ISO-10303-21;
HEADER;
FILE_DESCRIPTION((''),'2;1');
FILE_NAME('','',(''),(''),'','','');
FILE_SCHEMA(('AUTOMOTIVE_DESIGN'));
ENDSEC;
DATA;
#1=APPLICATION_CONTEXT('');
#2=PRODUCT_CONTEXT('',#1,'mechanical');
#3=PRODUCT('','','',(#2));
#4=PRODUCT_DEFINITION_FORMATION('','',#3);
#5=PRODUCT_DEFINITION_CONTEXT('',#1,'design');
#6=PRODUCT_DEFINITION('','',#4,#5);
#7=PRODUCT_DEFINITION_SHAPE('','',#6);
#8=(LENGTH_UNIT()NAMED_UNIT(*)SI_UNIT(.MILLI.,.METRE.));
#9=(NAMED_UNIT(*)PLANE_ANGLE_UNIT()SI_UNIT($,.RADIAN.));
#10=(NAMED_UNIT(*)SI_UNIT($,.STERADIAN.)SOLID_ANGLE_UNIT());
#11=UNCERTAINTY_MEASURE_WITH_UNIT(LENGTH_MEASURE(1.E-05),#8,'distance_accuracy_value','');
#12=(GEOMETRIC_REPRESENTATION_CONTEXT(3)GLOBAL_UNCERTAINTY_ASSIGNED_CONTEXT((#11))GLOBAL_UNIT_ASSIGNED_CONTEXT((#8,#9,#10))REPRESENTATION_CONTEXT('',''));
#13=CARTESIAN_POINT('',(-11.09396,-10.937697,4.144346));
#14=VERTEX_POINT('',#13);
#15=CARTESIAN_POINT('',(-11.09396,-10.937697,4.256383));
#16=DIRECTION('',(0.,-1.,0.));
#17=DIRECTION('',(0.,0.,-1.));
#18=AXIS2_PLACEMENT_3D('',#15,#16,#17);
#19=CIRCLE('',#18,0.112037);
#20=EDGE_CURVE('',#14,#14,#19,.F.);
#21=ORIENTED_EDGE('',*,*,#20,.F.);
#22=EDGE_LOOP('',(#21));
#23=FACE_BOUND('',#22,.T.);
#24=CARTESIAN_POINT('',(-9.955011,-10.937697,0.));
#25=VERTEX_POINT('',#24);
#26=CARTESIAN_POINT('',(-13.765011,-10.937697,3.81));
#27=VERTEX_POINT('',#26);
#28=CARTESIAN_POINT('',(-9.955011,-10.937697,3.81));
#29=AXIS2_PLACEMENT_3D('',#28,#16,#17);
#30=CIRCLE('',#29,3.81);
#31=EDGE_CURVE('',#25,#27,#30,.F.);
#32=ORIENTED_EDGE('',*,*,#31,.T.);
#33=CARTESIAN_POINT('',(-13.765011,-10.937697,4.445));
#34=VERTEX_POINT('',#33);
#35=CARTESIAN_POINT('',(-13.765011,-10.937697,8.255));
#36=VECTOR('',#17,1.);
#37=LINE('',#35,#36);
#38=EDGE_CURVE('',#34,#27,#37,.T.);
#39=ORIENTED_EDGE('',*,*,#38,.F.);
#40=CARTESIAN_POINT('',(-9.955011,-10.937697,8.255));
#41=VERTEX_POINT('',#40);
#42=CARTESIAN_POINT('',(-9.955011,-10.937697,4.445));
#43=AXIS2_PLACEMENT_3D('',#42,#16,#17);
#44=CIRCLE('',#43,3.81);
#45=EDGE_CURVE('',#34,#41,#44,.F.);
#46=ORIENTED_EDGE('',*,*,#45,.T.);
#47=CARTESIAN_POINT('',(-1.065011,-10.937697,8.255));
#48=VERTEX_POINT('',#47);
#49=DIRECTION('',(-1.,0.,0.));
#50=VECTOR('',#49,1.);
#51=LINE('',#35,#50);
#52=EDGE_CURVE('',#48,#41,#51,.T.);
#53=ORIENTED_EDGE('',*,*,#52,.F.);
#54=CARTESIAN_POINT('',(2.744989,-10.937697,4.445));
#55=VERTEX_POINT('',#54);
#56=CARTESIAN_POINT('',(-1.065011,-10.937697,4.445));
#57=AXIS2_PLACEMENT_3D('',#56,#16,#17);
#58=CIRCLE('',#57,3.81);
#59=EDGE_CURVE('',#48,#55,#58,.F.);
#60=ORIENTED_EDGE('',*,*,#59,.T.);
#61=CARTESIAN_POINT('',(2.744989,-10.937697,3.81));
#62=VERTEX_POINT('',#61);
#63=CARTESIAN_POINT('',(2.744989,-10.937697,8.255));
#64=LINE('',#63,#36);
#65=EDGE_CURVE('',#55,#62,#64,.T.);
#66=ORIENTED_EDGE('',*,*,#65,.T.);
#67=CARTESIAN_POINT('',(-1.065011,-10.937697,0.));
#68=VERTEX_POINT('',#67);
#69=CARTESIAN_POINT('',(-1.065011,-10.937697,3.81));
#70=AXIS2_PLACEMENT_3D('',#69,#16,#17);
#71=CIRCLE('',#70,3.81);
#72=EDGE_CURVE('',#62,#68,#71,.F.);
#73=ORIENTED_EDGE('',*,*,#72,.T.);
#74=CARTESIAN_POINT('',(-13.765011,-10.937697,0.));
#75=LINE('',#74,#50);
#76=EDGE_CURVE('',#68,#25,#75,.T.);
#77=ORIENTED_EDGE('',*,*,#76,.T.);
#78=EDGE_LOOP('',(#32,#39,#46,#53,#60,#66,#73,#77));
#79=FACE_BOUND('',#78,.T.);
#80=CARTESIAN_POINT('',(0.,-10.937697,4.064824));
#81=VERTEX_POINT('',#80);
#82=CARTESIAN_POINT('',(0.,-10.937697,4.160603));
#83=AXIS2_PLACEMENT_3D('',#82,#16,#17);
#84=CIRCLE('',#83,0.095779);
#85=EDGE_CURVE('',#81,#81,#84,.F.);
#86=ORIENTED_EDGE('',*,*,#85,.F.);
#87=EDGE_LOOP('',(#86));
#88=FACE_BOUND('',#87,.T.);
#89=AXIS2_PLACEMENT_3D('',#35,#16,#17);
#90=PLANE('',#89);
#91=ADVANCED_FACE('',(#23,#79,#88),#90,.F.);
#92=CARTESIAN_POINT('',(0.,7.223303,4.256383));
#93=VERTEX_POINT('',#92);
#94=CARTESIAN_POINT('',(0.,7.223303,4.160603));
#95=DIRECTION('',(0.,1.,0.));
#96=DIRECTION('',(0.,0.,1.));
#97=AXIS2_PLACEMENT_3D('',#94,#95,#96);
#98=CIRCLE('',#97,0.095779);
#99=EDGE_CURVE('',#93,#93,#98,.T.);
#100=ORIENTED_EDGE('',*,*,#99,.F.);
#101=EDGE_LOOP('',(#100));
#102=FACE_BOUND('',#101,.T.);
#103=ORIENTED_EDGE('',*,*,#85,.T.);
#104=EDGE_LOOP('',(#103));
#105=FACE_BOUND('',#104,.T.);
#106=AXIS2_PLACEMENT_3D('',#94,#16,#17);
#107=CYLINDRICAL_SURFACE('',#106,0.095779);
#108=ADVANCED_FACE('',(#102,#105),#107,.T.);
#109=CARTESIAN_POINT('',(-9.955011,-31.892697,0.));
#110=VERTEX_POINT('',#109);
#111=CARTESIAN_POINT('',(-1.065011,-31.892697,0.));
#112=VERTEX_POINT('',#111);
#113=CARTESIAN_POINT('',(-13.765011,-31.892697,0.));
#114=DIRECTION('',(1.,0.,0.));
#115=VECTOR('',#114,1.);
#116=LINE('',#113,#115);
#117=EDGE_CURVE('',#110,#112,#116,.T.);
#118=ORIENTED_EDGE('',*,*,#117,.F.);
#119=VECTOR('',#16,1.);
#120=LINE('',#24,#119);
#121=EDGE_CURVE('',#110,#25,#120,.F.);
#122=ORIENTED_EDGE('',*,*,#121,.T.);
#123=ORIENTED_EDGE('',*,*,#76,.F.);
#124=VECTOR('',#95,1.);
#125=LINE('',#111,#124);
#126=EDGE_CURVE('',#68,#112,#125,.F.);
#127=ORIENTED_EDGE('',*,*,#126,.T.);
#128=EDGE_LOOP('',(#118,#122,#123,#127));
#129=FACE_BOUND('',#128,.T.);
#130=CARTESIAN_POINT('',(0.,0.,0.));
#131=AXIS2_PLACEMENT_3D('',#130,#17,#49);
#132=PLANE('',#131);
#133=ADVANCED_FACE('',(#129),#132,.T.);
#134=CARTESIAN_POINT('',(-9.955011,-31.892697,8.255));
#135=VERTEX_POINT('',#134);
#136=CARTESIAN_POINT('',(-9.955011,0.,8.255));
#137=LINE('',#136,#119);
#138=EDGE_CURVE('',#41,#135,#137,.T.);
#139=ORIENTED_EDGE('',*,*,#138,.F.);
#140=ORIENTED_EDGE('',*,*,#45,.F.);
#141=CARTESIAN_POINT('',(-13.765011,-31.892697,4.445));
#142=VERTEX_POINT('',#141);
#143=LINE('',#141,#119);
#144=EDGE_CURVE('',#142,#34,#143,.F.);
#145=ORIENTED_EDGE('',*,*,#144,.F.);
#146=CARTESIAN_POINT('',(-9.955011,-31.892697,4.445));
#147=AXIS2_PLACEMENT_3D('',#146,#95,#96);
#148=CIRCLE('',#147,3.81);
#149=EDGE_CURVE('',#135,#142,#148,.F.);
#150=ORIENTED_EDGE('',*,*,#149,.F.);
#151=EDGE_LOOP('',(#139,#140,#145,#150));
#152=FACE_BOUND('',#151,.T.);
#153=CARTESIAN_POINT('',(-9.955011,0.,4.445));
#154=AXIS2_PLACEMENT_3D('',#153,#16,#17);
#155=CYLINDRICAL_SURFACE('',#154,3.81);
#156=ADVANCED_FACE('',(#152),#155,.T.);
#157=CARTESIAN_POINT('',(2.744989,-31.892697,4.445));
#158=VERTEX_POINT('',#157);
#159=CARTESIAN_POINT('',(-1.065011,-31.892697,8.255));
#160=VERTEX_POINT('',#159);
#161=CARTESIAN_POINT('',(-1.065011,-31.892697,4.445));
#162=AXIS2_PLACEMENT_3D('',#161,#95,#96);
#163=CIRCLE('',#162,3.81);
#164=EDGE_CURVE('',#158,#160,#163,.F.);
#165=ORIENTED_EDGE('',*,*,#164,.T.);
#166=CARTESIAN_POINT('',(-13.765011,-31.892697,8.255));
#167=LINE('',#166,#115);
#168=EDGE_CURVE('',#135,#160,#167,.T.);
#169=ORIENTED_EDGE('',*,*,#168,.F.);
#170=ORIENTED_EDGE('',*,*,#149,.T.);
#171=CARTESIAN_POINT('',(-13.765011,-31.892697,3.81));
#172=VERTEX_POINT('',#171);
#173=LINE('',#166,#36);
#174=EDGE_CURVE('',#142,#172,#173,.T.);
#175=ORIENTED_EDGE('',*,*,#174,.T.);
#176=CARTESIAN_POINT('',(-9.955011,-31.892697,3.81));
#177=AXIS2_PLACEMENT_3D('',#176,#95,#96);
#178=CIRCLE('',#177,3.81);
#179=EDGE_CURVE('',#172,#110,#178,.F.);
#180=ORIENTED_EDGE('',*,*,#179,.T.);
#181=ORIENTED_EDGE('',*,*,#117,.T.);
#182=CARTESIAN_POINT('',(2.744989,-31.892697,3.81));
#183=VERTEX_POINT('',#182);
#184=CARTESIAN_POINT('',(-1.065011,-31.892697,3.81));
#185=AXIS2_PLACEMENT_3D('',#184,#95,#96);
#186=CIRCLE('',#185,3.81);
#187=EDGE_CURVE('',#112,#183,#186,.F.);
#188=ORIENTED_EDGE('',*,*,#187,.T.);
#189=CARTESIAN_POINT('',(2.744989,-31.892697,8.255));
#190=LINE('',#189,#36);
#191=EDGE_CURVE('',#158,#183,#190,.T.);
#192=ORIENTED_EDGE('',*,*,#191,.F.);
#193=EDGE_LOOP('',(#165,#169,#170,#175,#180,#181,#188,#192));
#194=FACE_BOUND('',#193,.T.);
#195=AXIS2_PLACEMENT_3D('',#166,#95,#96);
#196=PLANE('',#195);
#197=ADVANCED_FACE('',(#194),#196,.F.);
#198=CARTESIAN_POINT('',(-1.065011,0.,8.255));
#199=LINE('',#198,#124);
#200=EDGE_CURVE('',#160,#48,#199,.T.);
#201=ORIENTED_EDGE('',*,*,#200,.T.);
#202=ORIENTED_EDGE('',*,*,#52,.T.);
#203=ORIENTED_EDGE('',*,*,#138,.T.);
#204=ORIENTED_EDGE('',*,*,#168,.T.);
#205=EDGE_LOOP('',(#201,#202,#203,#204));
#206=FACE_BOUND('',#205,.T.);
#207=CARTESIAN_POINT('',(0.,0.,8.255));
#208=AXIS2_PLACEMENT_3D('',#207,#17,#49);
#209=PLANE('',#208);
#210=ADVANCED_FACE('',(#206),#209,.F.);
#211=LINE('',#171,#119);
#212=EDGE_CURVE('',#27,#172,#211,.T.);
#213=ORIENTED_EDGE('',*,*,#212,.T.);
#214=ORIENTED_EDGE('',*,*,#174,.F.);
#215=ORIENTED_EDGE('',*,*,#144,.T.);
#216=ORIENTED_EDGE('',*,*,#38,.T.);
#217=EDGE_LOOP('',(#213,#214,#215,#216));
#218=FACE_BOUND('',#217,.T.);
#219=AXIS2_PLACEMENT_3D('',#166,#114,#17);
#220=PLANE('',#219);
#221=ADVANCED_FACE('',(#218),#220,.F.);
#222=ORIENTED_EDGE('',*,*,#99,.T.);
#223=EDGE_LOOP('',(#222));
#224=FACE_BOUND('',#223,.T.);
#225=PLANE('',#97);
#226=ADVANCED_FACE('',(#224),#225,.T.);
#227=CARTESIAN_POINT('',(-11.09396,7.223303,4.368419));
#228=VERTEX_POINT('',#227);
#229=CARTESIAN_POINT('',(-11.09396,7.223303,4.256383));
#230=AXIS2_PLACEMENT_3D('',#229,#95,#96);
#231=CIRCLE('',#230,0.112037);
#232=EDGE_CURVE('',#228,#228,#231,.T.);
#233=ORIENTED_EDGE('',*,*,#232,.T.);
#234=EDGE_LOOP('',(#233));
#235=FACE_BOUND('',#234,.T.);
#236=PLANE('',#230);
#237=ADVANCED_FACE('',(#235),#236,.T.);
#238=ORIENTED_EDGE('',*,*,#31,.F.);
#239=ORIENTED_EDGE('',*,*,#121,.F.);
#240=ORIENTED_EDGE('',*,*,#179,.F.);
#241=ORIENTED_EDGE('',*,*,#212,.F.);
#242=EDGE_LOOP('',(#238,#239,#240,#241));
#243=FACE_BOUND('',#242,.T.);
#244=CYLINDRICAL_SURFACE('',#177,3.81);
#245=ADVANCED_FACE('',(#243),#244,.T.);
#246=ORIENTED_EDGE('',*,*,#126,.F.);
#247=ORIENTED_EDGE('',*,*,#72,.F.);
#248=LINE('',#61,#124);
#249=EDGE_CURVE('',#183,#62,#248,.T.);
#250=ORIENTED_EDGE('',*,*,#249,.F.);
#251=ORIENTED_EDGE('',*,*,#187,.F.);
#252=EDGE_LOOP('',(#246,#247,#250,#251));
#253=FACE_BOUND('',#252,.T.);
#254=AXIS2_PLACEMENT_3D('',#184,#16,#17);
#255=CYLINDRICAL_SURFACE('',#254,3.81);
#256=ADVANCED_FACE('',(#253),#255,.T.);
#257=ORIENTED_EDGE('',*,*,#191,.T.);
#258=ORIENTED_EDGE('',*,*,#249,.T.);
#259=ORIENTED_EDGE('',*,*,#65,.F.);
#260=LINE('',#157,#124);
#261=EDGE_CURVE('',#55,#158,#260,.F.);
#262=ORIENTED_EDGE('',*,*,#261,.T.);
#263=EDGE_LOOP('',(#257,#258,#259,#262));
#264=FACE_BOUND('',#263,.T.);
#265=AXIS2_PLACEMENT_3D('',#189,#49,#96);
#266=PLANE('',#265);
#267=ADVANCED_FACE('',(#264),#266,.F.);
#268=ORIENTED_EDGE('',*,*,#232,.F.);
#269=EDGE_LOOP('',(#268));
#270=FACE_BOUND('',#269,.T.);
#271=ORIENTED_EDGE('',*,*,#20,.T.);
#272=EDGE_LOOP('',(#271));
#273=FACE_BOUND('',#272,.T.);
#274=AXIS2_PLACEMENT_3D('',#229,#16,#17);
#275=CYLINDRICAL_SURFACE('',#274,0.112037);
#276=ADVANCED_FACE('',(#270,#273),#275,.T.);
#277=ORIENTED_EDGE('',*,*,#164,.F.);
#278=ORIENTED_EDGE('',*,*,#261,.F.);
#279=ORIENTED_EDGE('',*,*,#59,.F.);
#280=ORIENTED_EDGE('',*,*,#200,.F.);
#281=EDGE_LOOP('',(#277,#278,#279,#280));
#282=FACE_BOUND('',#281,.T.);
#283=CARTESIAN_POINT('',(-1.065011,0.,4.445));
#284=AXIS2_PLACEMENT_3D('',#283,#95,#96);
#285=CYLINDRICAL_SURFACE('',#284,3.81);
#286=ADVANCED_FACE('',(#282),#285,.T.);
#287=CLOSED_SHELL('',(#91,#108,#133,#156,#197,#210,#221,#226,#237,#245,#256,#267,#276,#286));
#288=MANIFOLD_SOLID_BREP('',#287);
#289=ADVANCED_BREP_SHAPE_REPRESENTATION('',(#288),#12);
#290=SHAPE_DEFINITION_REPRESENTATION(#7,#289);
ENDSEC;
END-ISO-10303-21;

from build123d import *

# Parameters (mm, degrees)
SKETCH1_W           = 16.51
SKETCH1_H           = 20.955
BOSS_EXTRUDE1_DEPTH = 8.255
FILLET1_R           = 3.81
SKETCH2_R           = 0.095779186
SKETCH2_R_2         = 0.11203659
BOSS_EXTRUDE2_DEPTH = 18.161


with BuildPart() as part:
    # Sketch1 → Boss-Extrude1 (new body)
    with BuildSketch(Plane.XY):
        with Locations((-5.510011418, -21.415196798)):
            Rectangle(SKETCH1_W, SKETCH1_H)
    extrude(amount=BOSS_EXTRUDE1_DEPTH)

    # Fillet1
    fillet1_edges = [part.edges().sort_by_distance(p)[0] for p in [
        (-13.765011418, -21.415196798, 8.255),
        (2.744988582, -21.415196798, 8.255),
        (-13.765011418, -21.415196798, 0),
        (2.744988582, -21.415196798, 0),
    ]]
    fillet(fillet1_edges, radius=FILLET1_R)

    # Sketch2 → Boss-Extrude2 (add)
    with BuildSketch(Plane(origin=(0, -10.937696798, 0), x_dir=(1, 0, 0), z_dir=(0, 1, 0))):
        with Locations(Location((0, -4.160603471, 0), (0, 0, 90))):  # turned: the seam where the file's is
            Circle(SKETCH2_R)
        with Locations(Location((-11.093960289, -4.256382657, 0), (0, 0, 90))):  # turned: the seam where the file's is
            Circle(SKETCH2_R_2)
    extrude(amount=BOSS_EXTRUDE2_DEPTH)


solid = part.part
